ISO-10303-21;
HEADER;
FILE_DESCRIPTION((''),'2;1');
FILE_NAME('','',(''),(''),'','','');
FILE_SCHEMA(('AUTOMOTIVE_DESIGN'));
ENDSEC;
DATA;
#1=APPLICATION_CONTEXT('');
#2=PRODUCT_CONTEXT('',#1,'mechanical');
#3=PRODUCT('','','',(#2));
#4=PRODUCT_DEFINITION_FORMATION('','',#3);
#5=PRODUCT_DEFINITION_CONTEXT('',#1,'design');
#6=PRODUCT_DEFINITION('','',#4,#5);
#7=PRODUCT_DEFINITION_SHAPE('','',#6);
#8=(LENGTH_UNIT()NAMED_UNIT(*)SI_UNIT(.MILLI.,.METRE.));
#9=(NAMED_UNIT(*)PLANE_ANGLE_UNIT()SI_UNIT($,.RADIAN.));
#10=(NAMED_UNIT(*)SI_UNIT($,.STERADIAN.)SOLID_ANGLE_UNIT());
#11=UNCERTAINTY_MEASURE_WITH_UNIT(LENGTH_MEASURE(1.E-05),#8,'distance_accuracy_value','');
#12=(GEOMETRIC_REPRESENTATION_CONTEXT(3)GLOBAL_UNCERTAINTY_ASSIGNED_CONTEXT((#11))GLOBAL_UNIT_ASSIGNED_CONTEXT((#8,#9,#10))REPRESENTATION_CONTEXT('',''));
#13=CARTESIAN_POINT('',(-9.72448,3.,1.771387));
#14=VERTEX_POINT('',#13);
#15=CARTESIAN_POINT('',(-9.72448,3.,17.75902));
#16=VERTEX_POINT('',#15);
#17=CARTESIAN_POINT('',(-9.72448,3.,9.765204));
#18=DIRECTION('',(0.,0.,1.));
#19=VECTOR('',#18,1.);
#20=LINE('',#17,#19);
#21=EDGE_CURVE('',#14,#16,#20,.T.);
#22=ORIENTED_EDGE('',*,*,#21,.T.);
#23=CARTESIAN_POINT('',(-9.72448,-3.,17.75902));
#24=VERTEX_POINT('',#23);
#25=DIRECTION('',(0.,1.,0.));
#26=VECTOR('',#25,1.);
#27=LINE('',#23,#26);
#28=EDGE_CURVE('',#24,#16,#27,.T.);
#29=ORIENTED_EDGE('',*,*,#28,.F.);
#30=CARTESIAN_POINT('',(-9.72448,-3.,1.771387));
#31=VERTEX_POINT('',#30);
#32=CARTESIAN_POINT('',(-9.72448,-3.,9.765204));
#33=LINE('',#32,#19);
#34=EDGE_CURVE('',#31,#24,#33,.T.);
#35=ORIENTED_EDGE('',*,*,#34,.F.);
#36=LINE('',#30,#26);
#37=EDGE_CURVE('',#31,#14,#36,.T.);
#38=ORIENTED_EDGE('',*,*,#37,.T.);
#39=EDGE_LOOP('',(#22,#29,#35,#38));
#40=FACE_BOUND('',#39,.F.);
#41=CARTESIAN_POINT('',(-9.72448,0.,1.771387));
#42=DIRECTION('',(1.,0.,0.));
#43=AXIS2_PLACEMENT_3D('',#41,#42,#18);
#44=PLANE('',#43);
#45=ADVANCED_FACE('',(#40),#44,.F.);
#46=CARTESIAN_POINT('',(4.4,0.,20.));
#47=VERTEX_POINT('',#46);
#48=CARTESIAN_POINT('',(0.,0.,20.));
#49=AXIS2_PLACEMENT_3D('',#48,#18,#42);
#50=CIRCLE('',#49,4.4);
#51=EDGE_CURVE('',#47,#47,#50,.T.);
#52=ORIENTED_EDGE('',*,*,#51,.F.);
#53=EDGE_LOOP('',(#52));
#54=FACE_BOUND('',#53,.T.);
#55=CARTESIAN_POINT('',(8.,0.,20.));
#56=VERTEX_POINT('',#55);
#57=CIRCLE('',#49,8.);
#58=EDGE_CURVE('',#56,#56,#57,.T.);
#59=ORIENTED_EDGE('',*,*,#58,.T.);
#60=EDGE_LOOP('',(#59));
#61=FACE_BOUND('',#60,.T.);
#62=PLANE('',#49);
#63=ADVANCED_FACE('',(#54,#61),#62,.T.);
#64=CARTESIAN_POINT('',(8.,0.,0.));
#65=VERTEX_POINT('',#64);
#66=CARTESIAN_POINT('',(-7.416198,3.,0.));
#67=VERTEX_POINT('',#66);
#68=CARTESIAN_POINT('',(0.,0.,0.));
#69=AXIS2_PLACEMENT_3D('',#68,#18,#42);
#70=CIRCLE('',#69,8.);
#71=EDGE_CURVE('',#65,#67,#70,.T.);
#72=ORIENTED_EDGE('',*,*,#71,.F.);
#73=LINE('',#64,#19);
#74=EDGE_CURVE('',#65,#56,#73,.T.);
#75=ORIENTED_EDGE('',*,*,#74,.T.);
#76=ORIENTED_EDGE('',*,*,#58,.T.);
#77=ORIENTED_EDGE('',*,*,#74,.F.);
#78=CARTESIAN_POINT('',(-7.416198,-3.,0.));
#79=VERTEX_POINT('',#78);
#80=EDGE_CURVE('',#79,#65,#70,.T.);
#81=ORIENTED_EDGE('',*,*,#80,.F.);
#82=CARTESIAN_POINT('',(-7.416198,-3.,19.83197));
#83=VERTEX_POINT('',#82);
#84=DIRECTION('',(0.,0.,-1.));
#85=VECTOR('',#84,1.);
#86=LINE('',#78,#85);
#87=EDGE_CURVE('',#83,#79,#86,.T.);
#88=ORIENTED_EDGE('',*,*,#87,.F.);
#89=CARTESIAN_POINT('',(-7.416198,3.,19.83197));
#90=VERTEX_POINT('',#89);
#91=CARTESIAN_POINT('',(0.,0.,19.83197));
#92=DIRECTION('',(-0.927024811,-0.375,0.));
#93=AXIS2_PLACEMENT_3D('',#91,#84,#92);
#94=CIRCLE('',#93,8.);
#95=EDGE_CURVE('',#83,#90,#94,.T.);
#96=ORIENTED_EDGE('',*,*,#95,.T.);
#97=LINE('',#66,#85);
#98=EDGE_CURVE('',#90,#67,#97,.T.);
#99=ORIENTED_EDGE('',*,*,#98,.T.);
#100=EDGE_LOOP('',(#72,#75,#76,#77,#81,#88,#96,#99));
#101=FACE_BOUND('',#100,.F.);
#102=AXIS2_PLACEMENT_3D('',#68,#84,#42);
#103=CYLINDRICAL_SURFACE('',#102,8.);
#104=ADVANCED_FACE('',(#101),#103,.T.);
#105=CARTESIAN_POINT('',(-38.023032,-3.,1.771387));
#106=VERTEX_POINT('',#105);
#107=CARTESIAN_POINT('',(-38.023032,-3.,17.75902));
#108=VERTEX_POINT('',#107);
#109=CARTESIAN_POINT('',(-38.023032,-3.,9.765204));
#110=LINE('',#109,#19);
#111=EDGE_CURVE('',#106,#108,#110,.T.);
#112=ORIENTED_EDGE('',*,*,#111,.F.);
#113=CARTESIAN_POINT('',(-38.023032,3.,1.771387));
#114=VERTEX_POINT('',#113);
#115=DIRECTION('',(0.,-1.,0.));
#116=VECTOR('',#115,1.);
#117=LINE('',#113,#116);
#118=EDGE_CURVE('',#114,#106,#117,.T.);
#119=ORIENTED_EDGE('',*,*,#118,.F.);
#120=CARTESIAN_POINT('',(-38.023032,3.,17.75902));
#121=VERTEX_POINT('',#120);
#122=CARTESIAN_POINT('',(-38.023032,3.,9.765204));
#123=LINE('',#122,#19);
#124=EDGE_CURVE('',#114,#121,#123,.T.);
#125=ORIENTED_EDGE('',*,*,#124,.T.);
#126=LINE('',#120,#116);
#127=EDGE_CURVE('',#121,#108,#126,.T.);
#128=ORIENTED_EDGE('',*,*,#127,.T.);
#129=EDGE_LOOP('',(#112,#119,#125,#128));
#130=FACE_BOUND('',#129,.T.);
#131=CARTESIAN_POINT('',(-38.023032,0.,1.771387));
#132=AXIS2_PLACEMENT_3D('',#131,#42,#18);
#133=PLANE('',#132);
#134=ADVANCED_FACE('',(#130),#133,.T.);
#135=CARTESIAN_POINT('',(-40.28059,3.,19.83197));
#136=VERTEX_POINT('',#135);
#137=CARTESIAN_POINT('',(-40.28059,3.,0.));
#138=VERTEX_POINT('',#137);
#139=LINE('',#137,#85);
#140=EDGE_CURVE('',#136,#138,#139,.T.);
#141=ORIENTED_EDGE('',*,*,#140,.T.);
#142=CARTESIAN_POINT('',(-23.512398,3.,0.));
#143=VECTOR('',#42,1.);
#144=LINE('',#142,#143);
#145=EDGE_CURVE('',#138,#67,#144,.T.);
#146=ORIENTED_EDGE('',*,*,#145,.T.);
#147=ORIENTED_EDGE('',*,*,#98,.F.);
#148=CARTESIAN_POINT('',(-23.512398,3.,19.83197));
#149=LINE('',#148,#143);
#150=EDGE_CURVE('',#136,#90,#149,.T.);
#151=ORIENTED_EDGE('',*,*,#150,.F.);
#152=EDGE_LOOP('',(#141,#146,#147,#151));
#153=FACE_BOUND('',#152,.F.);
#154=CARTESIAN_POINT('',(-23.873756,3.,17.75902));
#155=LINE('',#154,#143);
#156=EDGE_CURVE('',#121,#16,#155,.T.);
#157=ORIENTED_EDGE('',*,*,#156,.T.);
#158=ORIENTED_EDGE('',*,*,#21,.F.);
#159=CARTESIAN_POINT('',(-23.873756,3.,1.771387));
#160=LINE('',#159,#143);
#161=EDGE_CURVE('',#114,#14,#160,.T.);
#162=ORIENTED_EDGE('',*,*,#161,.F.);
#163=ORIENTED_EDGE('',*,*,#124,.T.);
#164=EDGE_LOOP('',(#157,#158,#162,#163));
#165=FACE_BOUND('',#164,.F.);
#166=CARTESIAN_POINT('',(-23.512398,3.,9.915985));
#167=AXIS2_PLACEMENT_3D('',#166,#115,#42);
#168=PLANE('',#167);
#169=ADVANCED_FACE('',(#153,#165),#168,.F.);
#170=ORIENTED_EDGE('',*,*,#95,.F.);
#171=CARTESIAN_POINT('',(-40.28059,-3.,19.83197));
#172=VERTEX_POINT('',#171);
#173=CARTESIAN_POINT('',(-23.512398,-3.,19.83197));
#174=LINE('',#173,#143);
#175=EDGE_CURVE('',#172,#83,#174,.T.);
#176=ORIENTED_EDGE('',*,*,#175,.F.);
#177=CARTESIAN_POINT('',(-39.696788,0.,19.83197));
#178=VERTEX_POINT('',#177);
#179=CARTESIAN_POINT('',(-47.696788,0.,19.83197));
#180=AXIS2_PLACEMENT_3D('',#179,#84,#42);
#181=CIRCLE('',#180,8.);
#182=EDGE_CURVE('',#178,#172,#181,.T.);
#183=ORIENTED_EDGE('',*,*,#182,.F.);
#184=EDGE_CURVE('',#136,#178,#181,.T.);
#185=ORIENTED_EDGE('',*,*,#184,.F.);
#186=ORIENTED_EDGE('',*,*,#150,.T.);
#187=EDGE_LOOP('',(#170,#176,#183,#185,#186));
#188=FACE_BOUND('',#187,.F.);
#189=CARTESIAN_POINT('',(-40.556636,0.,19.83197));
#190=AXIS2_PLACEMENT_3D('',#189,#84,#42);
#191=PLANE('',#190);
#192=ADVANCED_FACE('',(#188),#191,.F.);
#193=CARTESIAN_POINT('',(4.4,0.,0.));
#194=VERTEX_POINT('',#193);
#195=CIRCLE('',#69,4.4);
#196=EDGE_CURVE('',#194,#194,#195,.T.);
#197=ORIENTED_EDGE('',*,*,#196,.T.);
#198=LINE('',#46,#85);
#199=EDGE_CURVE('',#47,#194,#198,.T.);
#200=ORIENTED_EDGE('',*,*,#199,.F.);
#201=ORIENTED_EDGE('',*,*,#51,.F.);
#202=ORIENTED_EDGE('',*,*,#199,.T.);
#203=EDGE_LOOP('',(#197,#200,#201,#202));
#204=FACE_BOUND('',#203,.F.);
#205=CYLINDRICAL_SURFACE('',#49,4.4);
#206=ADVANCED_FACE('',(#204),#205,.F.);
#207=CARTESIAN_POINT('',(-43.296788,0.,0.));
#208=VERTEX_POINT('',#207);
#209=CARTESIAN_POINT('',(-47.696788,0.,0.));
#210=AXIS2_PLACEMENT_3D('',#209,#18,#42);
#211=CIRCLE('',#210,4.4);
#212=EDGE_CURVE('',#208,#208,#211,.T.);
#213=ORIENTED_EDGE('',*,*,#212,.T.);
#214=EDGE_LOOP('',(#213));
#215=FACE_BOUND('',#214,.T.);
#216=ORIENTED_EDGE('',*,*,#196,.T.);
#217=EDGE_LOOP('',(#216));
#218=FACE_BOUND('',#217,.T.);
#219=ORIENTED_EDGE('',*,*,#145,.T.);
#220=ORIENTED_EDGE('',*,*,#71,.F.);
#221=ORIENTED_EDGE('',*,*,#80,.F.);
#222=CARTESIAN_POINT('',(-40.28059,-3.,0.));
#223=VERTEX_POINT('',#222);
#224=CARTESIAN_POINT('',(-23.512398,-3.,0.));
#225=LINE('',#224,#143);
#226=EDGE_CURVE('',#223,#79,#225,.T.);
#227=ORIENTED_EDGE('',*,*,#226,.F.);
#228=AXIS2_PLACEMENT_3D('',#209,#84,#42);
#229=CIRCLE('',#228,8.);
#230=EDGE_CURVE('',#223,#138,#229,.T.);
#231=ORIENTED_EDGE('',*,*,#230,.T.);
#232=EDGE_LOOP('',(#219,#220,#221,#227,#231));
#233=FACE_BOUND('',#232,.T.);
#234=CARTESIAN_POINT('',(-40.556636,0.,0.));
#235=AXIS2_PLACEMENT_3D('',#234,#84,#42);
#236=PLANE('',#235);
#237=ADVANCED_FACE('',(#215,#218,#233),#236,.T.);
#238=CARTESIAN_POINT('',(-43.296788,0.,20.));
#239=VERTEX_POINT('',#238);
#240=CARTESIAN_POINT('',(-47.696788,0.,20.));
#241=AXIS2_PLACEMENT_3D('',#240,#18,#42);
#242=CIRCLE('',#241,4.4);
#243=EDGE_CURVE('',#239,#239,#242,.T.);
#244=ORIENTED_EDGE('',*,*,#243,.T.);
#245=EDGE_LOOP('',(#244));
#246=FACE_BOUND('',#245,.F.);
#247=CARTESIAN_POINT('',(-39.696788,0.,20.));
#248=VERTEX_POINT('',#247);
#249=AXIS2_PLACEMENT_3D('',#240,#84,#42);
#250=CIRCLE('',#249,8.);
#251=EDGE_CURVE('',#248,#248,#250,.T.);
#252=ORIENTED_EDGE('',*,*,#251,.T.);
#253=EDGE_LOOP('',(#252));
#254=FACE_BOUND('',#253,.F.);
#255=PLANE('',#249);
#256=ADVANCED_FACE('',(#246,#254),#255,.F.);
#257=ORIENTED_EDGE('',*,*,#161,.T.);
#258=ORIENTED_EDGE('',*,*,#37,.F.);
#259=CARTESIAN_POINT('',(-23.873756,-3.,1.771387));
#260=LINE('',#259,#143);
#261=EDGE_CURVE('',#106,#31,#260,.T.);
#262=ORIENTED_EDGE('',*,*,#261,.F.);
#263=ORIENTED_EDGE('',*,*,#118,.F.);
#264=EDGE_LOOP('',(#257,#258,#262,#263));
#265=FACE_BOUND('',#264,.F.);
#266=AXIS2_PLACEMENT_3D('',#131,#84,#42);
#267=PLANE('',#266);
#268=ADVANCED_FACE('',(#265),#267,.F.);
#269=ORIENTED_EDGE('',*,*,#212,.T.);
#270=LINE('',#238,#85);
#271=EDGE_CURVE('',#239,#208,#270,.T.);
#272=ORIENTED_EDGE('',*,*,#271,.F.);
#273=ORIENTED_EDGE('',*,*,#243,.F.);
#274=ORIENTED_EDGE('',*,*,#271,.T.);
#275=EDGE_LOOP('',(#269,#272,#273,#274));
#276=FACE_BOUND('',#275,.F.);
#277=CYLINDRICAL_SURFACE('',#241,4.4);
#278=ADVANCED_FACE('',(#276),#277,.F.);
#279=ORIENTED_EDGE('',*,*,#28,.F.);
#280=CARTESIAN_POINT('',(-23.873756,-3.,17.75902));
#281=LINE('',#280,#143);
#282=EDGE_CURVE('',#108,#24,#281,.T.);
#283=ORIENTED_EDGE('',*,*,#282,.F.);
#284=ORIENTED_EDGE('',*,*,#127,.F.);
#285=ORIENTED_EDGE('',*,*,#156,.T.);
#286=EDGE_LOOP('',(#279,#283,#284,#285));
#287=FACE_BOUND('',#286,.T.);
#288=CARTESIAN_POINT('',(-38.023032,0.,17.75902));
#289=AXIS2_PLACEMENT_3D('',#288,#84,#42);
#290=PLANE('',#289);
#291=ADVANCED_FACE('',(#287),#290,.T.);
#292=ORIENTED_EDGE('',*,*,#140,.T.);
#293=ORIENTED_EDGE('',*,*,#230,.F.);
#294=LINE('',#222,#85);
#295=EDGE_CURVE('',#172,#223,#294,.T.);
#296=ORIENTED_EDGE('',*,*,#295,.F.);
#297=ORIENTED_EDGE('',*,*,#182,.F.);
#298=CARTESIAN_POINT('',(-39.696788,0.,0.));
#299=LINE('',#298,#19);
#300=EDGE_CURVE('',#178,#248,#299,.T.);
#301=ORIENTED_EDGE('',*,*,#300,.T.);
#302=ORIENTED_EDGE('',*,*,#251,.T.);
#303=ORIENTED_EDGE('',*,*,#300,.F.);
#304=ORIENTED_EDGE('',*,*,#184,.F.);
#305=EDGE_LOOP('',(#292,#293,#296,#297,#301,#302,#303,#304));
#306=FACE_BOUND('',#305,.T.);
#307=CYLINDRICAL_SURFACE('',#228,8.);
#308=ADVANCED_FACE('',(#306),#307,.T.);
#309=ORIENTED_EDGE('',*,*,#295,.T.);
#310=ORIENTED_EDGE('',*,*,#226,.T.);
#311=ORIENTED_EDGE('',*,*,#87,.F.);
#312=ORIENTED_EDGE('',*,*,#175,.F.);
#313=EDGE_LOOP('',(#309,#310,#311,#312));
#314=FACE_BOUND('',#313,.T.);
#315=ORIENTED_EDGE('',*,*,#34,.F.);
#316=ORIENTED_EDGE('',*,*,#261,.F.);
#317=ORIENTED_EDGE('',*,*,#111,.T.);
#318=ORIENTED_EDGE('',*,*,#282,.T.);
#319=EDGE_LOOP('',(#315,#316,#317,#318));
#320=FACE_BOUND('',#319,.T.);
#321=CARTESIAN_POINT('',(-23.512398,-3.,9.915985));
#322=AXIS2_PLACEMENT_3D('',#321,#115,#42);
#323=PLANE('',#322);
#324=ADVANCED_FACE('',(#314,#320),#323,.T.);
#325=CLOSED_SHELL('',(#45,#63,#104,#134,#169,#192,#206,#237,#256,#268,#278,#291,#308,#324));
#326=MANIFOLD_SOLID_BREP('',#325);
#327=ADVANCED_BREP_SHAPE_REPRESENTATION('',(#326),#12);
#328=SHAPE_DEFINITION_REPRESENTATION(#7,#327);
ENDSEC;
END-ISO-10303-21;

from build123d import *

# Parameters (mm, degrees)
F0_R      = 8
F1_DEPTH  = 20
F2_R      = 4.4
F3_DEPTH  = 20
F4_W      = 34.088476
F4_H      = 19.83197
F4_W_2    = 28.298552
F4_H_2    = 15.987633
F5_DEPTH  = 3
F6_DEPTH  = 3
F7_R      = 8
F8_DEPTH  = 20
F9_R      = 4.4
F10_DEPTH = 20


with BuildPart() as f1:
    # F0 (on Top) → F1 (new body)
    with BuildSketch(Plane.XY):
        Circle(F0_R)
    extrude(amount=F1_DEPTH)

    # F2 (on face) → F3 (cut)
    with BuildSketch(Plane.XY.offset(20)):
        Circle(F2_R)
    extrude(amount=-F3_DEPTH, mode=Mode.SUBTRACT)

    # F4 (on Front) → F5 (join)
    with BuildSketch(Plane.XZ):
        with Locations((-23.512398, 9.915985)):
            Rectangle(F4_W, F4_H)
        with Locations((-23.873756, 9.765204)):
            Rectangle(F4_W_2, F4_H_2, mode=Mode.SUBTRACT)
    extrude(amount=F5_DEPTH)

    # F4 (on Front) → F6 (join)
    with BuildSketch(Plane.XZ):
        with Locations((-23.512398, 9.915985)):
            Rectangle(F4_W, F4_H)
        with Locations((-23.873756, 9.765204)):
            Rectangle(F4_W_2, F4_H_2, mode=Mode.SUBTRACT)
    extrude(amount=-F6_DEPTH)

    # F7 (on face) → F8 (join)
    with BuildSketch(Plane(origin=(0, 0, 0), x_dir=(1, 0, 0), z_dir=(0, 0, -1))):
        with Locations((-47.696788, 0)):
            Circle(F7_R)
    extrude(amount=-F8_DEPTH)

    # F9 (on face) → F10 (cut)
    with BuildSketch(Plane.XY.offset(20)):
        with Locations((-47.696788, 0)):
            Circle(F9_R)
    extrude(amount=-F10_DEPTH, mode=Mode.SUBTRACT)


solid = f1.part
